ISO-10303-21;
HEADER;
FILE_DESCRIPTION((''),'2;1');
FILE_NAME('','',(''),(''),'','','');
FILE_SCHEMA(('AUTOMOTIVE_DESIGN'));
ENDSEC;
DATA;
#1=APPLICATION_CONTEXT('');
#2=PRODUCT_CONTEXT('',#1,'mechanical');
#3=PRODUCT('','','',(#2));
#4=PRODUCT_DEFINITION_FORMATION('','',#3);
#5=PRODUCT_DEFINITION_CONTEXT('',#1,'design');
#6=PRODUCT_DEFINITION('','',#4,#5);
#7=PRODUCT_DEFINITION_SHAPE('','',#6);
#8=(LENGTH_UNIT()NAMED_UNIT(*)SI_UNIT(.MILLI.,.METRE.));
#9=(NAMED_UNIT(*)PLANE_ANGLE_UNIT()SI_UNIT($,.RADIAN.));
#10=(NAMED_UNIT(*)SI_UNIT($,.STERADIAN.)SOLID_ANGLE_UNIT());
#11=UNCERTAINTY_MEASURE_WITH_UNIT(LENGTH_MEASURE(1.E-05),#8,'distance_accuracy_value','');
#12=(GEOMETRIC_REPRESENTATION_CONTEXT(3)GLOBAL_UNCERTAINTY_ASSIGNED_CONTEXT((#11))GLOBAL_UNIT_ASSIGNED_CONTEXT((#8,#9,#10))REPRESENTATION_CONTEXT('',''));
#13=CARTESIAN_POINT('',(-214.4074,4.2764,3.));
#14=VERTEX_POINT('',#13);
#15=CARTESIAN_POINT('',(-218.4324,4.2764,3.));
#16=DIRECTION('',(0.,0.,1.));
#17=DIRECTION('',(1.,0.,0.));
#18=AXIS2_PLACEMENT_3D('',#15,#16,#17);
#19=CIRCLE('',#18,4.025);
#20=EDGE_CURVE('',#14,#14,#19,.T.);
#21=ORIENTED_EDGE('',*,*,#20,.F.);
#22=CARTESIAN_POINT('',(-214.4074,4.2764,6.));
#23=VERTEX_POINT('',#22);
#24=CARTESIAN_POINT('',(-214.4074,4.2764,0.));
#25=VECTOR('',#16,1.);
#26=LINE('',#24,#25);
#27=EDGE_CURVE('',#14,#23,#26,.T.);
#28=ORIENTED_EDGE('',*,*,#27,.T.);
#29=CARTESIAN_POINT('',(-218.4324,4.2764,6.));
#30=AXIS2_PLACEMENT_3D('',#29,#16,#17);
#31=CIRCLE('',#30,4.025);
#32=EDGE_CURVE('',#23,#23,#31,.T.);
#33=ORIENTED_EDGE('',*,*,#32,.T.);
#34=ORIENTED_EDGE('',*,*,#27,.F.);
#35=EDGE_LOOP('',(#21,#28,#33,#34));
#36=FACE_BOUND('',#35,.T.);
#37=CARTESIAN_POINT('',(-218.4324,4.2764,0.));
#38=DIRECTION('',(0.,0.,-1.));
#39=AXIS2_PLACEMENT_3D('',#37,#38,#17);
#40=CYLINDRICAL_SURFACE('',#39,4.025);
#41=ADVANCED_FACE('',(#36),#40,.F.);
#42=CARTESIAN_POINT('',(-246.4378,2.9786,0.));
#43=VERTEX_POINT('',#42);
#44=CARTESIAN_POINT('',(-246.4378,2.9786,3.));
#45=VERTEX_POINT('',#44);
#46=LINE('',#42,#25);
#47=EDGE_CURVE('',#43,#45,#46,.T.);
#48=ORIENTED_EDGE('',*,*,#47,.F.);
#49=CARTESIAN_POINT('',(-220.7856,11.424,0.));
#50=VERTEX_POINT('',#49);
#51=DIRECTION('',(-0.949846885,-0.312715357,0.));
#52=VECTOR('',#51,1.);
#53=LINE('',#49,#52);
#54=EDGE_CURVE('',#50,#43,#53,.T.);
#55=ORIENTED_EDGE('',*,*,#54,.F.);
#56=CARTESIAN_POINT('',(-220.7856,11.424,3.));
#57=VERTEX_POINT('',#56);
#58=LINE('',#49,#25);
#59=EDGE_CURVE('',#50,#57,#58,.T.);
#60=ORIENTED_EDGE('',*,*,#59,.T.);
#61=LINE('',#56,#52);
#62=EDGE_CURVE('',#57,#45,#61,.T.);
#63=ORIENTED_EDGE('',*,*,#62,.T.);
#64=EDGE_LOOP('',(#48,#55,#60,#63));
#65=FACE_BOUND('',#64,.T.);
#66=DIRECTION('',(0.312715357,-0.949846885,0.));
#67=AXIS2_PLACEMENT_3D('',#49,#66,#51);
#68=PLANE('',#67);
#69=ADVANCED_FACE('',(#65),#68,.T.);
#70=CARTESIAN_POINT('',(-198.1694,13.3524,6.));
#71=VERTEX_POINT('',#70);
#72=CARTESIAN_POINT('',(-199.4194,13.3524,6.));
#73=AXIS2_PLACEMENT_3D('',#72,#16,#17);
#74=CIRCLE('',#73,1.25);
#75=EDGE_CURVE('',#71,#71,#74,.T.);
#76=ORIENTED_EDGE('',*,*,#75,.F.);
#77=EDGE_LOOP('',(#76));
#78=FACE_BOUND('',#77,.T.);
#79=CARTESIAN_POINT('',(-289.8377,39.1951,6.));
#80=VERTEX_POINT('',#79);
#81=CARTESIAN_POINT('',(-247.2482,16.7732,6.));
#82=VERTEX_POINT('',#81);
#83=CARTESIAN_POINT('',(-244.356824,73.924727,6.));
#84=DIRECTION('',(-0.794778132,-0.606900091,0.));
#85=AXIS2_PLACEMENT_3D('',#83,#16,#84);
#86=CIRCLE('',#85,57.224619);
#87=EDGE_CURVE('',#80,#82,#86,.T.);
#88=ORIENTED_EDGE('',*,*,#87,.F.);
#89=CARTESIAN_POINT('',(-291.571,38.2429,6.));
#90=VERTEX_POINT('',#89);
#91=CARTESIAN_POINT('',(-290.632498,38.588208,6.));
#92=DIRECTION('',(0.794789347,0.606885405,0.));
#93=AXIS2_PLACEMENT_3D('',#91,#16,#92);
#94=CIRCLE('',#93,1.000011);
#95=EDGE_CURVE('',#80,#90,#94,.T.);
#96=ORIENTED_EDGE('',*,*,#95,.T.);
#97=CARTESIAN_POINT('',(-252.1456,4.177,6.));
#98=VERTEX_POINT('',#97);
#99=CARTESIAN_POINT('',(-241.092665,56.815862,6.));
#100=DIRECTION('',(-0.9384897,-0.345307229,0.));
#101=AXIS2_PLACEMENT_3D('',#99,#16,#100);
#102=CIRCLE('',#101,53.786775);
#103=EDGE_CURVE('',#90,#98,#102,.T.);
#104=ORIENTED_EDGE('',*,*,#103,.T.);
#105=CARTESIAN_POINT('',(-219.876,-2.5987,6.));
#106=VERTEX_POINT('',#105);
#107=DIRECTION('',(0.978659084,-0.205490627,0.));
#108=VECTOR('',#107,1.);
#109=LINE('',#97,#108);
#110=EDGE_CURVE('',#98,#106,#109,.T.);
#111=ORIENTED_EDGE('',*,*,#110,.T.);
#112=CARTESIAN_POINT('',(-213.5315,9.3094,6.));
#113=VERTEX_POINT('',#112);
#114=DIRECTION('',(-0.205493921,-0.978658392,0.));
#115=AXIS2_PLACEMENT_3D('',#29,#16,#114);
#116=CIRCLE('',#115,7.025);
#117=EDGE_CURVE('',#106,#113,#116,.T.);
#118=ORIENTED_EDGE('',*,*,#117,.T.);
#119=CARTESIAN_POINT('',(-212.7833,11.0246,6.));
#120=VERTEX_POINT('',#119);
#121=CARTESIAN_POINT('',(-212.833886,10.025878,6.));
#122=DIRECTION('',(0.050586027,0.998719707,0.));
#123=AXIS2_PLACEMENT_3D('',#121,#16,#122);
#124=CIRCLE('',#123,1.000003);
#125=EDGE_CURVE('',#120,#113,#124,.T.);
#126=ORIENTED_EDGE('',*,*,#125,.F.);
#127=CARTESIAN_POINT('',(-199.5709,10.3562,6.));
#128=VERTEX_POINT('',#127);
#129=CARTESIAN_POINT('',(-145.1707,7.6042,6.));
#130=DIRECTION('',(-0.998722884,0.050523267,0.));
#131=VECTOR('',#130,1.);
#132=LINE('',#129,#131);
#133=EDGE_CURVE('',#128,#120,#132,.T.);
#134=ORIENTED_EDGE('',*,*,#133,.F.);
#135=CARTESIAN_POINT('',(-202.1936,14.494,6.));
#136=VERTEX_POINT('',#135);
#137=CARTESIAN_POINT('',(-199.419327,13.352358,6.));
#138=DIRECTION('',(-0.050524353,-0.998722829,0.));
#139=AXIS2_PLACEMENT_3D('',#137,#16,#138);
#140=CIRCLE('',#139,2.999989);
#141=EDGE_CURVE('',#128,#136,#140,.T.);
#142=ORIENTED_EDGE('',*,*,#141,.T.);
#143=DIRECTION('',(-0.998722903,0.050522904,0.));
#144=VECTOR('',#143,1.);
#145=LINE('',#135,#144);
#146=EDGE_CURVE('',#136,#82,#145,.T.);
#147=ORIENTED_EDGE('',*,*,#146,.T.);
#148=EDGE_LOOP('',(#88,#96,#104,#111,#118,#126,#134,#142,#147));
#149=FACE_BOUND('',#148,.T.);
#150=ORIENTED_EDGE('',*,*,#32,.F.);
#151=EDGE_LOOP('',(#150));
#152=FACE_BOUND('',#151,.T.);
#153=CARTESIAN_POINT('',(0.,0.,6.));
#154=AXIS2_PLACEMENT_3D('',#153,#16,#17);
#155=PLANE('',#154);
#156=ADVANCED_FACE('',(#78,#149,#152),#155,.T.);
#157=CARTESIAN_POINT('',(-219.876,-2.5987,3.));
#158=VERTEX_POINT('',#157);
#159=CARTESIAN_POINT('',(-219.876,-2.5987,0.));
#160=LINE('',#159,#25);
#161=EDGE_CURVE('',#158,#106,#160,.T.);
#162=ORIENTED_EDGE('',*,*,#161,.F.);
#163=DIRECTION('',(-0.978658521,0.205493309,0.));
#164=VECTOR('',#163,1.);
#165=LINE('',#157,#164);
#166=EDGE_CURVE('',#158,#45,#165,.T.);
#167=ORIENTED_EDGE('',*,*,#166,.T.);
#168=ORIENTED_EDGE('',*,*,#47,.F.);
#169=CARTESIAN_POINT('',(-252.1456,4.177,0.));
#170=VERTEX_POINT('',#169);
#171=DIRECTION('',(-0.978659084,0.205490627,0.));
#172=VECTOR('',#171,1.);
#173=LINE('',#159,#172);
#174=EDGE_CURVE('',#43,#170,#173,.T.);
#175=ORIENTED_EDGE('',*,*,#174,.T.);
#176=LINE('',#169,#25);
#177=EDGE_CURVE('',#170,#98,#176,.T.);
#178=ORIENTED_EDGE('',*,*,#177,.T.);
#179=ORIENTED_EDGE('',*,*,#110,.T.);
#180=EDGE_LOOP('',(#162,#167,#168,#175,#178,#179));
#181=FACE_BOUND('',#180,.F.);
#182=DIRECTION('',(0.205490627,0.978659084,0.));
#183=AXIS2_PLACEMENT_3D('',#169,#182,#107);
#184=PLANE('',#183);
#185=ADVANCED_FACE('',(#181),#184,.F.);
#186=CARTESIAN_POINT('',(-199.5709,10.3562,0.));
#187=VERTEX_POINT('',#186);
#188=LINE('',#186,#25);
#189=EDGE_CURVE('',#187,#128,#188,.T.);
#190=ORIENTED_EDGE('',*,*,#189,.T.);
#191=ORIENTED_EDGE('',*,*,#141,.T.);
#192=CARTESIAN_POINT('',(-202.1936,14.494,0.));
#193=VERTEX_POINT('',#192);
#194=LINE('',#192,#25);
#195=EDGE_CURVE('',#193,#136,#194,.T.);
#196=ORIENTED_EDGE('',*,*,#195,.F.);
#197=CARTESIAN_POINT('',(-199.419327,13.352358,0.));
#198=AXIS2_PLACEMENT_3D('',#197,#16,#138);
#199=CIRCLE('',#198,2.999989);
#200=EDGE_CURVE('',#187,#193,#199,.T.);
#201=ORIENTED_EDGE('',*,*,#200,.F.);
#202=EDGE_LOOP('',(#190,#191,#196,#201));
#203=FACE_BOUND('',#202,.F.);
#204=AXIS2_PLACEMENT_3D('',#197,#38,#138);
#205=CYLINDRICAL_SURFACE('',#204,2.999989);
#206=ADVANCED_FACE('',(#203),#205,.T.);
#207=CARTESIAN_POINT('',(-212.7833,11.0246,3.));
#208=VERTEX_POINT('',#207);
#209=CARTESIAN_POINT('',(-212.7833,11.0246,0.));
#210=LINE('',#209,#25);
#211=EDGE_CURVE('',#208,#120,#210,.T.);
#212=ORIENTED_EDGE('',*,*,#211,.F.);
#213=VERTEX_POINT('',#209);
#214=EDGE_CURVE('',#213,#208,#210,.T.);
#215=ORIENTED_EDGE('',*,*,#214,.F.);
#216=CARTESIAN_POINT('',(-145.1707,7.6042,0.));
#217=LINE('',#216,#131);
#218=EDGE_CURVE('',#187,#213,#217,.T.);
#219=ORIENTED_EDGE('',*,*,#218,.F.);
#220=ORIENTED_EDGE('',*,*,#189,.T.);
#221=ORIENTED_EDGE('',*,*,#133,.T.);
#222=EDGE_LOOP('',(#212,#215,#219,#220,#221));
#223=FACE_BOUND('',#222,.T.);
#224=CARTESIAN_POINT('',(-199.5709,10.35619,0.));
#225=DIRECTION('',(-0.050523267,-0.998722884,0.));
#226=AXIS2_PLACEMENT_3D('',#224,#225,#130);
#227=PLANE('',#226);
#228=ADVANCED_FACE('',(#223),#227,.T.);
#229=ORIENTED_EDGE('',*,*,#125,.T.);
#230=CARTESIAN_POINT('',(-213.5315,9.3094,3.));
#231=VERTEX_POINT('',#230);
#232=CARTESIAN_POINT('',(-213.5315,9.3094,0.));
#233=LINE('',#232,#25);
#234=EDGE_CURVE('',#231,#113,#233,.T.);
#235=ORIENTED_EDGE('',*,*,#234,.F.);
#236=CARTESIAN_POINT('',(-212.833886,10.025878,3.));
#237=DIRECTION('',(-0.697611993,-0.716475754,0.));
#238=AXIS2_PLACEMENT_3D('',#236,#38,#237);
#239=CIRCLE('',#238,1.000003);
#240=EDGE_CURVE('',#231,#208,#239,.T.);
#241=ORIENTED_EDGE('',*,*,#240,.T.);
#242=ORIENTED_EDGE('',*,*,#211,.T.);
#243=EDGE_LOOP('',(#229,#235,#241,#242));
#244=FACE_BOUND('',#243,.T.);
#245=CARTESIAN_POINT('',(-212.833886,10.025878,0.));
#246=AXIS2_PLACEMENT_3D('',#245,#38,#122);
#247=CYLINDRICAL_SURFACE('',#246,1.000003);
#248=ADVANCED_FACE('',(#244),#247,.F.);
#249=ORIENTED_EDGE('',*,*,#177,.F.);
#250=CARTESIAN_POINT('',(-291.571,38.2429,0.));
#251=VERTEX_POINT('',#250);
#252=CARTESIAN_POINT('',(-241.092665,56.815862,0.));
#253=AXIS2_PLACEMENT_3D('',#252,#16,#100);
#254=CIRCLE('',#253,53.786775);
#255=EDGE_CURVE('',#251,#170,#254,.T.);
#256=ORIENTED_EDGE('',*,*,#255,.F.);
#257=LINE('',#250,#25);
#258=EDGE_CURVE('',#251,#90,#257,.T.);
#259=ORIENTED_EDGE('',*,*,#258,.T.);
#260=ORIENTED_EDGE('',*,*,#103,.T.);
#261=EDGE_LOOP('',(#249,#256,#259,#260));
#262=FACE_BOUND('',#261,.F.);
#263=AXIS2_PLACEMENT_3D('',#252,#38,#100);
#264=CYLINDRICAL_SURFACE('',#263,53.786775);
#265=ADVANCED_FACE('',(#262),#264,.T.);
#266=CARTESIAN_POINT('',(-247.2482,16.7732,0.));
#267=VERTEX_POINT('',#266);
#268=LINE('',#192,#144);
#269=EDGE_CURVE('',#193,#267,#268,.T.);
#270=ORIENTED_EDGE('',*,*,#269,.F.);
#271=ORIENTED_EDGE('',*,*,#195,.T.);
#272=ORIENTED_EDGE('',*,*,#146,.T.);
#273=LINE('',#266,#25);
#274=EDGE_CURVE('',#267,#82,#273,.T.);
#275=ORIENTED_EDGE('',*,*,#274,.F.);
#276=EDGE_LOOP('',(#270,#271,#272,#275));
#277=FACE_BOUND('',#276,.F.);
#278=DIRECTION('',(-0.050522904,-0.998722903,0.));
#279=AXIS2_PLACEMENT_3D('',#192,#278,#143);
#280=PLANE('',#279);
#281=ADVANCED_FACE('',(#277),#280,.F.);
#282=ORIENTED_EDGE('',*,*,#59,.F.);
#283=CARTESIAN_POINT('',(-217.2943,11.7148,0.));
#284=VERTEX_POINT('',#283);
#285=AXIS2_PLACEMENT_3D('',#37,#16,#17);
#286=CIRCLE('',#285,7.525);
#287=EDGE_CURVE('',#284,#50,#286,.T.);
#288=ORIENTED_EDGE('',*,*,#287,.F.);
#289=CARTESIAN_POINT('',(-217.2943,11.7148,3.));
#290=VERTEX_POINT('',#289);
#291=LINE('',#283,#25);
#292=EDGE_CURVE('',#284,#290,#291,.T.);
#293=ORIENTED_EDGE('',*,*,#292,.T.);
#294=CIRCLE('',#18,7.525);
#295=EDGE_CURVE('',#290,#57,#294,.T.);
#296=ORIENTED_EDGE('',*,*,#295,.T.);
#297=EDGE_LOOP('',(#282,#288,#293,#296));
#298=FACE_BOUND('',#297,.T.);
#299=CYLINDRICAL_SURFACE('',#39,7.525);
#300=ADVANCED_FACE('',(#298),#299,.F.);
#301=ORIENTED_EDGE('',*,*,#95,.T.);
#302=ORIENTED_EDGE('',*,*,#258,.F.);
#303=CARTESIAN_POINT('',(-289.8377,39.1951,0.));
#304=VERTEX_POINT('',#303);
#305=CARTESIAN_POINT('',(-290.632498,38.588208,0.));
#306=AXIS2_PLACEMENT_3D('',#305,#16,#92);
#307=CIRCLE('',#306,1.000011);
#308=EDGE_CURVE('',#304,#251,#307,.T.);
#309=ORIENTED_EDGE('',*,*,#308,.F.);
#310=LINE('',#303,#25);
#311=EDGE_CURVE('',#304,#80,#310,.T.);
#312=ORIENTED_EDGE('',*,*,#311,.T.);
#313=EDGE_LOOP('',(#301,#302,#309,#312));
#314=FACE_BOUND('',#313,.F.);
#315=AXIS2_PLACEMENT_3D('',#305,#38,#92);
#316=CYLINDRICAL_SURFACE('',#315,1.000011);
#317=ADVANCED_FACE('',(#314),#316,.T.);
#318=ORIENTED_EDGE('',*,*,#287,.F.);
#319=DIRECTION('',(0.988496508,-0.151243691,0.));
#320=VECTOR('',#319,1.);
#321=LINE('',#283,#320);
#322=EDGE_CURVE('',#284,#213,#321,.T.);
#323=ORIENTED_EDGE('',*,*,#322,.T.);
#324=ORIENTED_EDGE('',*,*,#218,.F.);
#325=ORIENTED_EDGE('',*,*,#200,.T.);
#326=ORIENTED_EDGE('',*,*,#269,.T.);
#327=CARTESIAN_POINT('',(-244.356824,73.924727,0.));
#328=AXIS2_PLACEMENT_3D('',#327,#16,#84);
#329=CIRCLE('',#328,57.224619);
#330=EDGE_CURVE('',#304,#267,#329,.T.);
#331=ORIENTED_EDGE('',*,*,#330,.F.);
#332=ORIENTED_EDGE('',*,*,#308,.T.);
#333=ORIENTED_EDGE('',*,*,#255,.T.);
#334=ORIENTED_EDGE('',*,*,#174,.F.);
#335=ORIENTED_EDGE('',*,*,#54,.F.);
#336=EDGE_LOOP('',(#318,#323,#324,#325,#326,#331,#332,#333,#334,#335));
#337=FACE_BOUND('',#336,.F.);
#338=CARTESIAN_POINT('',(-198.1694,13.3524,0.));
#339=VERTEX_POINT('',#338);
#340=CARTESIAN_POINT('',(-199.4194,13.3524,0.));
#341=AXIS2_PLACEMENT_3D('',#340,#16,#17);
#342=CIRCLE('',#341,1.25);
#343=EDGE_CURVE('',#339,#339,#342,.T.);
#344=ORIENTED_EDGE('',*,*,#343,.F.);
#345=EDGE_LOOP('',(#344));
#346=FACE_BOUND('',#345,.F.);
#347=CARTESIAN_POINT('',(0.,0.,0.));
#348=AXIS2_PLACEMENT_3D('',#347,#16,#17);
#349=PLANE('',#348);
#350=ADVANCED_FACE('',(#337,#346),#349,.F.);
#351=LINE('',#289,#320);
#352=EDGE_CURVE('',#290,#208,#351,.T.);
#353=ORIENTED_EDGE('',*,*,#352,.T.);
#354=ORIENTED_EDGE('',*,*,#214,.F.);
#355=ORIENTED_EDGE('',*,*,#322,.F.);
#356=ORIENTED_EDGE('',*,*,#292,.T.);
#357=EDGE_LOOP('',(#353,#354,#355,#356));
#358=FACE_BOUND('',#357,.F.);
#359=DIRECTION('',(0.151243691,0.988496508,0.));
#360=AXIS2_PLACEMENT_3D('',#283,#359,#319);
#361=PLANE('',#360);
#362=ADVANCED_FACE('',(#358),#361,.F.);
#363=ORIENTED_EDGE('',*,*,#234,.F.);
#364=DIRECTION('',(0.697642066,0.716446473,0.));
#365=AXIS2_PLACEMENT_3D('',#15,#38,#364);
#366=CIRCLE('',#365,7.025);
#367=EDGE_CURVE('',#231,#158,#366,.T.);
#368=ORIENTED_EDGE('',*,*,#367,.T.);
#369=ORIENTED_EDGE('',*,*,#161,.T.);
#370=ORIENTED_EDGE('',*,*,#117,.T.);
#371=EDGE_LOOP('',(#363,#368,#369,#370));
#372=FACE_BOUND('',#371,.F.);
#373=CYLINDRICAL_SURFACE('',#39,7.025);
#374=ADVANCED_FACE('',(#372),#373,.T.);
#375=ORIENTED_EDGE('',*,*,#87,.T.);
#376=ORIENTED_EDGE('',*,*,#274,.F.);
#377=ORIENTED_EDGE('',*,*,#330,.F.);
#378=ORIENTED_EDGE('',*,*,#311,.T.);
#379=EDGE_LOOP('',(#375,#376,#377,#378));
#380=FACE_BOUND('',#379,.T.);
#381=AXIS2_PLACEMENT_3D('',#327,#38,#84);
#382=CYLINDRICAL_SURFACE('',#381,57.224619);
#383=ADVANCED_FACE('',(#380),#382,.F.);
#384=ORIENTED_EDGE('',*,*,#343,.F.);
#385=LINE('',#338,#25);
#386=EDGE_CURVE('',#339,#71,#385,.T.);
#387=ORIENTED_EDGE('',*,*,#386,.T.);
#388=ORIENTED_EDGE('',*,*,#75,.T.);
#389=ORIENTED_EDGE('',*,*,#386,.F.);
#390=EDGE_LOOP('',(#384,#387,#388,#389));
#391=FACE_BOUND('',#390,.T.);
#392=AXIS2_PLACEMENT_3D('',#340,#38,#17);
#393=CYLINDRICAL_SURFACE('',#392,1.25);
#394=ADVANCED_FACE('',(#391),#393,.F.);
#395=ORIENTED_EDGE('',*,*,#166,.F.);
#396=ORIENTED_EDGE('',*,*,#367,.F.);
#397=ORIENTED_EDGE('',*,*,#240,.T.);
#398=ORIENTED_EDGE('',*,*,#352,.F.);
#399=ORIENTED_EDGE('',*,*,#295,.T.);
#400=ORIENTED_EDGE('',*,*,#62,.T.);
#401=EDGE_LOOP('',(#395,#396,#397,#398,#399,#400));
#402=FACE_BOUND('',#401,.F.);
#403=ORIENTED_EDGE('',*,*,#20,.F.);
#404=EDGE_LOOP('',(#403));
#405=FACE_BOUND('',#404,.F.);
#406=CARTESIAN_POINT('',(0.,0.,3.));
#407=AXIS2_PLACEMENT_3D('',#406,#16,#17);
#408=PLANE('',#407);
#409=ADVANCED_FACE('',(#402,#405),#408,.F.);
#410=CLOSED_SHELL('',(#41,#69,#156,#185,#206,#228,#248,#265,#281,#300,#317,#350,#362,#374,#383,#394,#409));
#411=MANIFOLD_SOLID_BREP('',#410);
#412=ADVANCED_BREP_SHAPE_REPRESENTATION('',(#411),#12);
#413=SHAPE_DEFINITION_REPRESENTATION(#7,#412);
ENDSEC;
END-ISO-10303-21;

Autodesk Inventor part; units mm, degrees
ref_plane "YZ Plane" through (0, 0, 0) normal (1, 0, 0) x (0, 1, 0)
ref_plane "XZ Plane" through (0, 0, 0) normal (0, 1, 0) x (-1, 0, 0)
ref_plane "XY Plane" through (0, 0, 0) normal (0, 0, 1) x (1, 0, 0)
sketch "スケッチ1" plane through (0, 0, 0) normal (0, 0, 1) x (1, 0, 0)
  circle A0 centre (-145.5257, 0.5882) radius 1.5
  circle A1 centre (-139.5445, -10.0968) radius 1.5
  circle A2 centre (-105.5257, -16.4118) radius 30.1 construction
  line L0 (-170.915, -81.4118) -> (490.0044, -81.4118)
  circle A3 centre (-145.5257, 0.5882) radius 4.025
  circle A4 centre (-139.5445, -10.0968) radius 3
  circle A5 centre (-145.5257, 0.5882) radius 7.025
  line L1 (-146.2365, -6.4007) -> (-139.241, -7.1122)
  line L2 (-139.2044, 3.6529) -> (-134.6999, -5.6381)
  line L3 (-134.6999, -5.6381) -> (-136.7303, -11.1361)
  circle A6 centre (-105.5257, -16.4118) radius 31.1 construction
  line L4 (-145.1707, 7.6042) -> (-218.0775, 11.2924)
  line L5 (-145.8806, -6.4278) -> (-218.7874, -2.7396)
  circle A7 centre (-218.4324, 4.2764) radius 1.5
  circle A8 centre (-218.4324, 4.2764) radius 4.025
  circle A9 centre (-218.4324, 4.2764) radius 7.025
  circle A10 centre (-218.4324, 4.2764) radius 7.525
  line L6 (-214.5805, 10.7408) -> (-189.4684, -4.2228)
  circle A11 centre (-199.4194, 13.3524) radius 1.25
  arc A12 (-199.5709, 10.3562) -> (-202.1936, 14.494) centre (-199.4194, 13.3524) ccw
  line L7 (-202.1936, 14.494) -> (-247.2482, 16.7732)
  arc A13 (-289.8377, 39.1951) -> (-247.2482, 16.7732) centre (-244.3571, 73.9244) ccw
  arc A14 (-289.8377, 39.1951) -> (-291.571, 38.2429) centre (-290.6325, 38.5882) ccw
  arc A15 (-291.571, 38.2429) -> (-252.1456, 4.177) centre (-241.0929, 56.8157) ccw
  line L8 (-252.1456, 4.177) -> (-219.876, -2.5987)
  line L9 (-217.2943, 11.7148) -> (-212.7833, 11.0246)
  arc A16 (-212.7833, 11.0246) -> (-213.5315, 9.3094) centre (-212.8339, 10.0259) ccw
  line L10 (-220.7856, 11.424) -> (-246.4378, 2.9786)
  point P0 (0, 0)
  point P1 (0, 0)
  point P2 (0, 0)
  dimension "d17" = 6
  dimension "d18" = 8.05
  dimension "d19" = 3
  dimension "d20" = 1
  dimension "d21" = 3
  dimension "d22" = 8.05
  dimension "d23" = 3
  dimension "d24" = 0.5
  dimension "d25" = 2.5
  dimension "d26" = 6
  dimension "d27" = 2
  dimension "d28" = 120
  dimension "d29" = 4
  dimension "d30" = 150
  dimension "d31" = 1
  dimension "d32" = 73
  dimension "d33" = 79.9384
extrude "押し出し1" add sketch "スケッチ1" along normal blind 6 contours A16 A10 L6 | L6 A10 L4 A16 | L4 L9 A10 L10 L8 A15 A14 A13 L7 A12 | A9 | L8 L10 A10 | A10 L4 A9 L8 | A10 A16 A9 L4 | L4 A10 L9
extrude "押し出し2" cut sketch "スケッチ1" along normal blind 3 contours A16 A10 L6 | L6 A10 L4 A16 | A9 | L8 L10 A10 | A10 L4 A9 L8 | A10 A16 A9 L4 | L4 A10 L9
sketch "スケッチ2" plane through (0, 0, 0) normal (0, 0, -1) x (-1, 0, 0)
  circle A0 centre (199.4194, 13.3524) radius 1.25 projected
  line L0 (212.7833, 11.0246) -> (217.2943, 11.7148) projected
  arc A1 (220.7856, 11.424) -> (217.2943, 11.7148) centre (218.4324, 4.2764) ccw projected
  line L1 (220.7856, 11.424) -> (246.4378, 2.9786) projected
  line L2 (252.1456, 4.177) -> (246.4378, 2.9786) projected
  arc A2 (252.1456, 4.177) -> (291.571, 38.2429) centre (241.0929, 56.8157) ccw projected
  arc A3 (291.571, 38.2429) -> (289.8377, 39.1951) centre (290.6325, 38.5882) ccw projected
  arc A4 (247.2482, 16.7732) -> (289.8377, 39.1951) centre (244.3571, 73.9244) ccw projected
  line L3 (202.1936, 14.494) -> (247.2482, 16.7732) projected
  arc A5 (202.1936, 14.494) -> (199.5709, 10.3562) centre (199.4194, 13.3524) ccw projected
  line L4 (212.7833, 11.0246) -> (199.5709, 10.3562) projected
  line L5 (246.4378, 2.9786) -> (219.876, -2.5987) projected
  line L6 (220.7856, 11.424) -> (246.4378, 2.9786) projected
  arc A6 (220.7856, 11.424) -> (217.2943, 11.7148) centre (218.4324, 4.2764) ccw projected
  line L7 (212.7833, 11.0246) -> (217.2943, 11.7148) projected
  arc A7 (213.5315, 9.3094) -> (212.7833, 11.0246) centre (212.8339, 10.0259) ccw projected
  arc A8 (213.5315, 9.3094) -> (219.876, -2.5987) centre (218.4324, 4.2764) ccw projected
  circle A9 centre (218.4324, 4.2764) radius 4.025 projected
  arc A10 (213.5315, 9.3094) -> (212.7833, 11.0246) centre (212.8339, 10.0259) ccw projected
  arc A11 (212.7833, 11.0246) -> (220.2409, -4.3364) centre (218.4324, 4.2764) ccw
  arc A12 (246.3358, 1.1428) -> (246.4378, 2.9786) centre (246.1402, 2.0744) ccw
  line L8 (220.7856, 11.424) -> (246.4378, 2.9786) projected
  line L9 (220.2409, -4.3364) -> (246.3358, 1.1428)
  point P0 (0, 0)
properties part number "後ろウイング先端" material "ポリカーボネート、クリア"
